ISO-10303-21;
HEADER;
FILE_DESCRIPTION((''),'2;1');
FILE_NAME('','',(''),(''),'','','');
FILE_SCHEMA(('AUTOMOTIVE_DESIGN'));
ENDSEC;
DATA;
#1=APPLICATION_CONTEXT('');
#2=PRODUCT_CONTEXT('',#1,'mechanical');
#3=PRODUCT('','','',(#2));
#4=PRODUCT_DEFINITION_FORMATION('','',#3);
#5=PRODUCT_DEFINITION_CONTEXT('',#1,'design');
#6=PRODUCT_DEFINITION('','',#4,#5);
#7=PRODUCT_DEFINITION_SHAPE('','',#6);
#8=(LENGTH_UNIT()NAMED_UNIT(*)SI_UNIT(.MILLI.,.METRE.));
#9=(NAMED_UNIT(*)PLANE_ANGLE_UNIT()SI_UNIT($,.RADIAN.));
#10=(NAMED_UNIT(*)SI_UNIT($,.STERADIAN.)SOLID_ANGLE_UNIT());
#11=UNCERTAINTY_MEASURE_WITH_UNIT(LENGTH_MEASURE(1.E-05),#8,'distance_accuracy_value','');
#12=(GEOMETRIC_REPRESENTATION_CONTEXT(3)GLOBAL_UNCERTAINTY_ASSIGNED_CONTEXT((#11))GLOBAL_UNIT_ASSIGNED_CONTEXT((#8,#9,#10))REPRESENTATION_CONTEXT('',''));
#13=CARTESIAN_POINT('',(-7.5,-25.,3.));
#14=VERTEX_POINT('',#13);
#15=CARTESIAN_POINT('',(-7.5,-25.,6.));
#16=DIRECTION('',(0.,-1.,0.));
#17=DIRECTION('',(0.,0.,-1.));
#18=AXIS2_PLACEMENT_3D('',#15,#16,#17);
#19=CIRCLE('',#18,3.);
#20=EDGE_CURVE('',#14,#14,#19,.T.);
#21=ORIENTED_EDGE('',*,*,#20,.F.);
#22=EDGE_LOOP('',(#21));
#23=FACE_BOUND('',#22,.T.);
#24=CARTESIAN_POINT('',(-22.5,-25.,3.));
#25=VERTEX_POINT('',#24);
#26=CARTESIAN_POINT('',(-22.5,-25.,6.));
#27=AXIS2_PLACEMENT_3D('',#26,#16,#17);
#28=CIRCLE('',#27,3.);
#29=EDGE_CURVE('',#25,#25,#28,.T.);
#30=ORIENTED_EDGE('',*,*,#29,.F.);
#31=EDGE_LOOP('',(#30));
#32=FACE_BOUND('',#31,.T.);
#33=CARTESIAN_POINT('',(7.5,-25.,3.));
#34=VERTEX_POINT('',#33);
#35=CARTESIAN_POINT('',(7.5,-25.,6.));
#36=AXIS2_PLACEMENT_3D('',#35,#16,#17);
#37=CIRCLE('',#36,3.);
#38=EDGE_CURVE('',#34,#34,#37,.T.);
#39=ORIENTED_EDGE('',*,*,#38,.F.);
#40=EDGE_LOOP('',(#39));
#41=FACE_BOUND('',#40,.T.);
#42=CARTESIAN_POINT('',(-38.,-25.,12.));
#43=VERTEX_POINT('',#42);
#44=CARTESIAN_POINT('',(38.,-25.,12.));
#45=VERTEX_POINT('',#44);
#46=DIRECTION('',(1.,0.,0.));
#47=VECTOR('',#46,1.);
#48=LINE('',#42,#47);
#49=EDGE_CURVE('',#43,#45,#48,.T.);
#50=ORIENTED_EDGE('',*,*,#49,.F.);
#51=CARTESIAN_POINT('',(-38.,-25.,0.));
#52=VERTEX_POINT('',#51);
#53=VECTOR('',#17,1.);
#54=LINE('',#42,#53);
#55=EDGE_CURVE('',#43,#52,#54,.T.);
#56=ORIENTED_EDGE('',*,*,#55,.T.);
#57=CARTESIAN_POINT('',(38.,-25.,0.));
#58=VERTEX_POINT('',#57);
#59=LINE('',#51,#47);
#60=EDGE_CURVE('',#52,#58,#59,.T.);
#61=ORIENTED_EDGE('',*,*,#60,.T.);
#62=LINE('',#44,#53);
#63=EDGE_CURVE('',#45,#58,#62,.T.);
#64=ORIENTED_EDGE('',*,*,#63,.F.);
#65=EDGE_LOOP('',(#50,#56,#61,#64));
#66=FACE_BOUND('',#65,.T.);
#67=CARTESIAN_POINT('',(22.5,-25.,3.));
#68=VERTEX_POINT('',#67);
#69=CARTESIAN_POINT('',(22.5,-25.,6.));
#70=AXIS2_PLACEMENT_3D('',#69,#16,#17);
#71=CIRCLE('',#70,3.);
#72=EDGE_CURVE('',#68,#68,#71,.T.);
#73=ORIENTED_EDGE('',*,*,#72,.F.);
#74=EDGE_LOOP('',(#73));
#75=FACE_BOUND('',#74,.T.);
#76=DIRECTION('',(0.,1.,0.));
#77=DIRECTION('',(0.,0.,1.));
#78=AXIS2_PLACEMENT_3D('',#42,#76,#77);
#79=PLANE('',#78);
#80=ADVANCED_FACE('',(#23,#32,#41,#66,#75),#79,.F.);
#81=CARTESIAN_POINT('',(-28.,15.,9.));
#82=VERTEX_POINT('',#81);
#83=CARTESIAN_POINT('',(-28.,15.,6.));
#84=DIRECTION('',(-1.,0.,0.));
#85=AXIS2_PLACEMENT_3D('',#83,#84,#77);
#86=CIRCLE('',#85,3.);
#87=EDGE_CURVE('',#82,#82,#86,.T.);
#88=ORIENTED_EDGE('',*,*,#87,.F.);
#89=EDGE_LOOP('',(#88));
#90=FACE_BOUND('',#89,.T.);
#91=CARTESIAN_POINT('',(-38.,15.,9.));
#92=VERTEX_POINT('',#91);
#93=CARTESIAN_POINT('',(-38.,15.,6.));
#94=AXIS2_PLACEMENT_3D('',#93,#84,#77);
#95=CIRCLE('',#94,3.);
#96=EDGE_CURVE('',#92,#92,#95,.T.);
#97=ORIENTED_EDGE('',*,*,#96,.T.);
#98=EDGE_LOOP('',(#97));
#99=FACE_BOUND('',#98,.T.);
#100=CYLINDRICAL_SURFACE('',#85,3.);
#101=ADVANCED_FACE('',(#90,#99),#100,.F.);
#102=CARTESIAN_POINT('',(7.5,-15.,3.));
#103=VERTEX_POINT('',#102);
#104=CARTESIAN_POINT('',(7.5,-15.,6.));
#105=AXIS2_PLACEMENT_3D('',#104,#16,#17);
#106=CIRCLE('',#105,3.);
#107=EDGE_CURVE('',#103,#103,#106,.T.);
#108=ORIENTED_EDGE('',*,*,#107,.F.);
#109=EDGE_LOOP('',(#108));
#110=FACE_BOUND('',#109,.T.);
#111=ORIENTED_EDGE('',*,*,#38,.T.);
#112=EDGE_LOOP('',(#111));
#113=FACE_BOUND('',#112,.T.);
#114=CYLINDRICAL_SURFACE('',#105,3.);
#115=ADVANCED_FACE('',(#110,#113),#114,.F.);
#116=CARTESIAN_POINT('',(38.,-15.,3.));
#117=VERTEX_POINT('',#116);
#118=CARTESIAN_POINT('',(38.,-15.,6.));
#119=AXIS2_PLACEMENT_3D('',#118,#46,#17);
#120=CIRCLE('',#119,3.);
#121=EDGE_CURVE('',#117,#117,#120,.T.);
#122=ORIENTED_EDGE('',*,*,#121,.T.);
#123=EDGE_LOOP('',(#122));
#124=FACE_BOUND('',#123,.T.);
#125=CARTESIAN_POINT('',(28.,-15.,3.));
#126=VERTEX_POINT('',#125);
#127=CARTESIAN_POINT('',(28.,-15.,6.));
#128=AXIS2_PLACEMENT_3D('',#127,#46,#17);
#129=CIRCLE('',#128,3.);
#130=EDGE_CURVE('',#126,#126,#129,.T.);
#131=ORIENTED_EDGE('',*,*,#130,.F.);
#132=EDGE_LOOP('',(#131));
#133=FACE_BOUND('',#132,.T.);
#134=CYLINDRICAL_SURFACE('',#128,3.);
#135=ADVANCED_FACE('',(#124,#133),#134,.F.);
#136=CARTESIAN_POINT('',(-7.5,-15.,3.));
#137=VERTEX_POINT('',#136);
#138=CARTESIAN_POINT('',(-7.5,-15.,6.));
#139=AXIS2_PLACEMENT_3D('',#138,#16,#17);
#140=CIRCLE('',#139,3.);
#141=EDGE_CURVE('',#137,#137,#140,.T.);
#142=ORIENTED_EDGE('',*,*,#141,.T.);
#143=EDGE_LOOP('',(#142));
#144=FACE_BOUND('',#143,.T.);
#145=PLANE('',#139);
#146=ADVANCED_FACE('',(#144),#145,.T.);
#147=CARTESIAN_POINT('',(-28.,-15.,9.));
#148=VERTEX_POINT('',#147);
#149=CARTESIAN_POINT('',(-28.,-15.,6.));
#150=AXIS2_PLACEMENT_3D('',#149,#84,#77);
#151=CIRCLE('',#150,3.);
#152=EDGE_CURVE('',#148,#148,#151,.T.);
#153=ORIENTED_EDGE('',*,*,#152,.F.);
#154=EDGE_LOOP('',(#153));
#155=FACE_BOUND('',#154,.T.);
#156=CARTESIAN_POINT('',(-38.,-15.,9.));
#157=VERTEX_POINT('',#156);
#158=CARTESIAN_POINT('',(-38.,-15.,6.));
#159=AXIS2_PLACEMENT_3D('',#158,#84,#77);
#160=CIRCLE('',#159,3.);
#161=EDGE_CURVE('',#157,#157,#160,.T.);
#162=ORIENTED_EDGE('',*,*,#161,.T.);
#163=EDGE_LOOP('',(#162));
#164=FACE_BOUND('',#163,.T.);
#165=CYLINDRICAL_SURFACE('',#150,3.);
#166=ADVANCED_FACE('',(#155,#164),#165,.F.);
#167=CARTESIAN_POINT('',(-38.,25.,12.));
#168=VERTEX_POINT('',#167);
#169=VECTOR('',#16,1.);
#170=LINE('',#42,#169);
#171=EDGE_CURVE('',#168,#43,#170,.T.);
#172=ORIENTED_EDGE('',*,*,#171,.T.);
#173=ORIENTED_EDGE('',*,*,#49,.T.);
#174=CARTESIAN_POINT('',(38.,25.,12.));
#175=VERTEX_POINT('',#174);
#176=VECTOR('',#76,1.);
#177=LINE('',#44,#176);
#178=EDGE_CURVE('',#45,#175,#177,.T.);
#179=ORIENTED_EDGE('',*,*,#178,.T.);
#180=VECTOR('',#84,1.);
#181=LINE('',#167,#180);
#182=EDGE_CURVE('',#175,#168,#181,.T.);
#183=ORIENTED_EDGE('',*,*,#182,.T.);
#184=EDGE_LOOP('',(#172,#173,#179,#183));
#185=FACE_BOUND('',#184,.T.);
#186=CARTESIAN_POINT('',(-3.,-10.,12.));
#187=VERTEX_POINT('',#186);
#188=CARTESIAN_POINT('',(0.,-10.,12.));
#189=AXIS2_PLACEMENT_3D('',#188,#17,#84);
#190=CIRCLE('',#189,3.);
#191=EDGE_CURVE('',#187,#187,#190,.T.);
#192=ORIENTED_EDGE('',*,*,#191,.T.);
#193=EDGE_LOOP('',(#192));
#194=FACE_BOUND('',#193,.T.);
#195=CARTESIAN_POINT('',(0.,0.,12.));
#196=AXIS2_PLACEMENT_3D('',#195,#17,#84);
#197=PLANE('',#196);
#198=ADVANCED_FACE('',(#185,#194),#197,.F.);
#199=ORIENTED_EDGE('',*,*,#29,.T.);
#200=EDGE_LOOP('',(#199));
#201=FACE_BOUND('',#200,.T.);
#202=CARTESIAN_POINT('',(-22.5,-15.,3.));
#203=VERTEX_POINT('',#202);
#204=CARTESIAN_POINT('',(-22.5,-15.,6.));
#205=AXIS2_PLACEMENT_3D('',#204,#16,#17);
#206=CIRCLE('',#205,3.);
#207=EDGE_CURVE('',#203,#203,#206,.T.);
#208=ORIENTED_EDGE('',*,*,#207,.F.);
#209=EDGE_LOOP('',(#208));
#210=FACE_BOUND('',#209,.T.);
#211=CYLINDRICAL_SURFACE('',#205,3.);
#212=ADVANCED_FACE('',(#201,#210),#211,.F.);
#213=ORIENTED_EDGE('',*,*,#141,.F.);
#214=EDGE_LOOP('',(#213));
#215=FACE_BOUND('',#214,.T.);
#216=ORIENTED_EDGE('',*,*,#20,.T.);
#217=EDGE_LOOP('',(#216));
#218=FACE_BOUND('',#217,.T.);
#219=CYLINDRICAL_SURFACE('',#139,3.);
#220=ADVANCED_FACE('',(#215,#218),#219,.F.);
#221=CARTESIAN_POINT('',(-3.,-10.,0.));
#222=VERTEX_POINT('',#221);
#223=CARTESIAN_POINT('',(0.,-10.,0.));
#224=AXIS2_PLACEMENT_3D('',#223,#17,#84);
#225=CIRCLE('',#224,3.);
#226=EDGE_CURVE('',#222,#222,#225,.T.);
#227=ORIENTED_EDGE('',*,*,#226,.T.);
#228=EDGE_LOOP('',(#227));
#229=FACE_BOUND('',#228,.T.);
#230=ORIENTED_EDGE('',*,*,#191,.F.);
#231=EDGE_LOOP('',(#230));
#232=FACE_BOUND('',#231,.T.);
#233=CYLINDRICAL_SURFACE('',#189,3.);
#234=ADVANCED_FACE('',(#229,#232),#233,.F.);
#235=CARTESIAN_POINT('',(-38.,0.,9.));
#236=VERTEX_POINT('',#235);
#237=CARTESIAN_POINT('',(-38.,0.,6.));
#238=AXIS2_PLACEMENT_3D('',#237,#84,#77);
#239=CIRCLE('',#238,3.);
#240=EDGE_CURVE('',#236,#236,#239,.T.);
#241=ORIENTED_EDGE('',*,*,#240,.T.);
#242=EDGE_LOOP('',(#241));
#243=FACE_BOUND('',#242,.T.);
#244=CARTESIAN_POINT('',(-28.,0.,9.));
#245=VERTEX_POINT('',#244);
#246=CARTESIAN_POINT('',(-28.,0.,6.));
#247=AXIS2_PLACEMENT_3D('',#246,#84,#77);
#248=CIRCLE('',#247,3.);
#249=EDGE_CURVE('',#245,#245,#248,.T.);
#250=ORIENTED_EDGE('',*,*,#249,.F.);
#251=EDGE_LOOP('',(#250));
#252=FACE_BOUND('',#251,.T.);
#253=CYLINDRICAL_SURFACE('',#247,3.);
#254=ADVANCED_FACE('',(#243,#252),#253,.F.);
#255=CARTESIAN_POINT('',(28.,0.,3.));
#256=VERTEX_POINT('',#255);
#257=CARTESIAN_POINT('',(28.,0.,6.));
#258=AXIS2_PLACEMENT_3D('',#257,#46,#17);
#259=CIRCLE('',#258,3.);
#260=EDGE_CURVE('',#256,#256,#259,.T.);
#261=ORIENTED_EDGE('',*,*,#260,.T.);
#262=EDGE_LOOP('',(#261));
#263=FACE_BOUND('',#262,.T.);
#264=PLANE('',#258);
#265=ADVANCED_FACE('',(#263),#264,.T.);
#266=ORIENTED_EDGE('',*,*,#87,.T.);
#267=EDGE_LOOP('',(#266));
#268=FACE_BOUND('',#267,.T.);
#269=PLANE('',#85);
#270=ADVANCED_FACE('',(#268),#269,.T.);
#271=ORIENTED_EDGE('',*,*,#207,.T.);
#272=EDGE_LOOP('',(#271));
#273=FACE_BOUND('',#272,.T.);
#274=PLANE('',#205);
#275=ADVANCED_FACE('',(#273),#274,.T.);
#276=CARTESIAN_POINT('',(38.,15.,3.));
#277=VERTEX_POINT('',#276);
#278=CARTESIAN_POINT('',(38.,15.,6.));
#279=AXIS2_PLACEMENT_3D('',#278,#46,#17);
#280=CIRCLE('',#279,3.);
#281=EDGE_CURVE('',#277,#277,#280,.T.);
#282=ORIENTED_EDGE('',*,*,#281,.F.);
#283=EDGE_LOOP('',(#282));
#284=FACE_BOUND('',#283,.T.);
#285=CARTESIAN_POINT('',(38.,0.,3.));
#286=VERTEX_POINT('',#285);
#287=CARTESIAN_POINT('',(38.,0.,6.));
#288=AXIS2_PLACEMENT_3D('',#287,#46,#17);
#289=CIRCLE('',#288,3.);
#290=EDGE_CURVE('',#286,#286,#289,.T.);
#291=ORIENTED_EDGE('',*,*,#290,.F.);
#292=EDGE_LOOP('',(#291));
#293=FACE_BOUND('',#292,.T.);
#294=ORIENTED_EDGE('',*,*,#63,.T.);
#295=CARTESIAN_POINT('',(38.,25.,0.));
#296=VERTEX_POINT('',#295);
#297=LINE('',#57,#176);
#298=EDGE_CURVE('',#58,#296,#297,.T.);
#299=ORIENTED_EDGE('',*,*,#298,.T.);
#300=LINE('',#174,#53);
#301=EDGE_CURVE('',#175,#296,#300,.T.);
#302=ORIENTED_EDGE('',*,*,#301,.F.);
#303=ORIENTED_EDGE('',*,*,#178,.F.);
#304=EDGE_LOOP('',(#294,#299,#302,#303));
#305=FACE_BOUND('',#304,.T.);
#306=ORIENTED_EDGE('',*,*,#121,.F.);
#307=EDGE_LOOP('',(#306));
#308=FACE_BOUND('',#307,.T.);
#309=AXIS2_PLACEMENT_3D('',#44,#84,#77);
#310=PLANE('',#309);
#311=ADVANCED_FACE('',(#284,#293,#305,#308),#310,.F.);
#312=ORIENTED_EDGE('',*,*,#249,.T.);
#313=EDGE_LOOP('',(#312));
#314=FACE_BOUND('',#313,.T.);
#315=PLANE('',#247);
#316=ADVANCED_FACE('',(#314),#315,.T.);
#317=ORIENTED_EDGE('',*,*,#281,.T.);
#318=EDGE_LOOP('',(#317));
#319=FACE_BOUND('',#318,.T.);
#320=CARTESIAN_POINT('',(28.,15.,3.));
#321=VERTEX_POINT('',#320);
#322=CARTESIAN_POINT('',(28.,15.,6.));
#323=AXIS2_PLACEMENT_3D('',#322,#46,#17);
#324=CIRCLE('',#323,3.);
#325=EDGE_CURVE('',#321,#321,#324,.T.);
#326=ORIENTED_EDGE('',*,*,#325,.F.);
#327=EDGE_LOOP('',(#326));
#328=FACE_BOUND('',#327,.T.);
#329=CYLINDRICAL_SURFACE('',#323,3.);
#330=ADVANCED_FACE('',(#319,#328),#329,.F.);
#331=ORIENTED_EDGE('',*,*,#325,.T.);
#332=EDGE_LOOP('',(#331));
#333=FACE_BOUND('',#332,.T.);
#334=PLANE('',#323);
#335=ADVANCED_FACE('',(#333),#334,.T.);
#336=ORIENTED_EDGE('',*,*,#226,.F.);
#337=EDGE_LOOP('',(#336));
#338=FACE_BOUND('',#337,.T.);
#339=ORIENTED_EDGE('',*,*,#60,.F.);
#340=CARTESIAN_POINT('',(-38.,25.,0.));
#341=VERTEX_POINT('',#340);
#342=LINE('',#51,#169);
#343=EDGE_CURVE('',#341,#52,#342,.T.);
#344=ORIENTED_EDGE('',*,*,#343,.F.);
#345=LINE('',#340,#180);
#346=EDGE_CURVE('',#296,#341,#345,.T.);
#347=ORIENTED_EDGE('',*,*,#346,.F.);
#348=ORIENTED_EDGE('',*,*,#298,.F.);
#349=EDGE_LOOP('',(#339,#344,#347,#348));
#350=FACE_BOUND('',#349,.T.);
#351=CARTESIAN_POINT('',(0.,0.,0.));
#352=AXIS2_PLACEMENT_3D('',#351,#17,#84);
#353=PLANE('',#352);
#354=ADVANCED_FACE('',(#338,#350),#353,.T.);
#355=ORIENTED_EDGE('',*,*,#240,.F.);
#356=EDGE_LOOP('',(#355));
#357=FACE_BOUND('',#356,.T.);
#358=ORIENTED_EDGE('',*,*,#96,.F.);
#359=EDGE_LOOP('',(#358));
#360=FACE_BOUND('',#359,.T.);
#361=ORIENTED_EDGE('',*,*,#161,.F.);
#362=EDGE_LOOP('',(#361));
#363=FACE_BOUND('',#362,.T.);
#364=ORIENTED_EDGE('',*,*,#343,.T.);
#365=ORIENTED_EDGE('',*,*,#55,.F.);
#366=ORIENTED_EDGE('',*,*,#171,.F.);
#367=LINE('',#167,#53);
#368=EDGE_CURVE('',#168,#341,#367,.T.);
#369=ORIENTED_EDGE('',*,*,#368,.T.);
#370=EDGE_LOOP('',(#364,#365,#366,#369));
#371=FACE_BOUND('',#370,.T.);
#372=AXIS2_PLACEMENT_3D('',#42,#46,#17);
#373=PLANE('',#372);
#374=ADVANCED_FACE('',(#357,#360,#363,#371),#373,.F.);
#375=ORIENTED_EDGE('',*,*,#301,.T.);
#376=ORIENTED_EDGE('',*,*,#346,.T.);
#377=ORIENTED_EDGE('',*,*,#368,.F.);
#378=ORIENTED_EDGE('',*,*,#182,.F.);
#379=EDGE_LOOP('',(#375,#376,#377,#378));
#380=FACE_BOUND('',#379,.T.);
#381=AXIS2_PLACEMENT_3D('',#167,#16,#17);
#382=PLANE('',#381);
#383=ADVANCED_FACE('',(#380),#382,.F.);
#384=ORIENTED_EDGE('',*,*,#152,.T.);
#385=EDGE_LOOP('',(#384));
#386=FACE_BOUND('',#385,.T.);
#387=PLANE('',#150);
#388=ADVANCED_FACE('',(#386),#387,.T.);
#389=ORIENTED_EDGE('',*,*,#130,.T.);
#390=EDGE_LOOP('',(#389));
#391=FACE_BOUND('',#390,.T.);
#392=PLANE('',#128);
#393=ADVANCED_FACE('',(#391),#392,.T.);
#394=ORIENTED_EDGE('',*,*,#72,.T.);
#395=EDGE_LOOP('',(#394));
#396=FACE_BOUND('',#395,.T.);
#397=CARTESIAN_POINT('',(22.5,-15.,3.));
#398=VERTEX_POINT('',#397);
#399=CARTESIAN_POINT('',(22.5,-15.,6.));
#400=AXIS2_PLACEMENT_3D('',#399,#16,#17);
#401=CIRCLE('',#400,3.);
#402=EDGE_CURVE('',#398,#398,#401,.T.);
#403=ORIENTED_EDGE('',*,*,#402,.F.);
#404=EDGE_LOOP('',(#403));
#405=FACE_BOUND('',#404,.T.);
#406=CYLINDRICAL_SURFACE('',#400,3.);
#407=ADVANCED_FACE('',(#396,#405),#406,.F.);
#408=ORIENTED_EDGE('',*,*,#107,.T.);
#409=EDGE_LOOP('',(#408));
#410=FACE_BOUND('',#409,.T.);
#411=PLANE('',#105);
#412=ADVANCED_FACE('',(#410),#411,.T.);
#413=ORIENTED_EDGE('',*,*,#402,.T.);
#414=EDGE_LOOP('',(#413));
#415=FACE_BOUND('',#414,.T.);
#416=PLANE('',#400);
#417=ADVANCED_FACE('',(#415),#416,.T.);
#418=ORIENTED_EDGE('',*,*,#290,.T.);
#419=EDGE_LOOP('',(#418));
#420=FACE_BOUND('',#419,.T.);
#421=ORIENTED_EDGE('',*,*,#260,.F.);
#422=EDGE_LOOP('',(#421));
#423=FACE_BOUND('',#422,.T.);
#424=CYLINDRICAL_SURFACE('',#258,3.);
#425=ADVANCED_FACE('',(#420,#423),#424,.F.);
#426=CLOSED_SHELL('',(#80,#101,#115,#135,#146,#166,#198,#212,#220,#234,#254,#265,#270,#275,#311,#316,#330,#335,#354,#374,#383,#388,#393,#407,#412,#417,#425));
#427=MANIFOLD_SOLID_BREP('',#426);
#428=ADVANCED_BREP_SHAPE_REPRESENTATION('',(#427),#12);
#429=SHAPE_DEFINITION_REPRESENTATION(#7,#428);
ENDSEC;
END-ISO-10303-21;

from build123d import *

# Parameters (mm, degrees)
SKETCH_1_W          = 76
SKETCH_1_H          = 50
EXTRUDE_1_DEPTH     = 12
SKETCH_2_R          = 3
CUT_EXTRUDE_1_DEPTH = 10
CUT_EXTRUDE_START   = -10
SKETCH_3_R          = 3
CUT_EXTRUDE_2_DEPTH = 10
SKETCH_4_R          = 3
CUT_EXTRUDE_3_DEPTH = 10
SKETCH_5_R          = 3
CUT_EXTRUDE_4_DEPTH = 12


with BuildPart() as part:
    # 草图1 → 凸台-拉伸1 (new body)
    with BuildSketch(Plane.XY):
        Rectangle(SKETCH_1_W, SKETCH_1_H)
    extrude(amount=EXTRUDE_1_DEPTH)

    # 草图2 → 切除-拉伸1 (cut)
    with BuildSketch(Plane.ZY.offset(38)):
        with Locations((6, -15)):
            Circle(SKETCH_2_R)
        with Locations((6, 0)):
            Circle(SKETCH_2_R)
        with Locations((6, 15)):
            Circle(SKETCH_2_R)
    extrude(amount=-CUT_EXTRUDE_1_DEPTH, mode=Mode.SUBTRACT)

    # 草图3 → 切除-拉伸2 (cut)
    with BuildSketch(Plane(origin=(38, 0, 0), x_dir=(0, 0, -1), z_dir=(1, 0, 0)).offset(CUT_EXTRUDE_START)):
        with Locations(Location((-6, -15, 0), (0, 0, 180))):
            Circle(SKETCH_3_R)
        with Locations(Location((-6, 0, 0), (0, 0, 180))):
            Circle(SKETCH_3_R)
        with Locations(Location((-6, 15, 0), (0, 0, 180))):
            Circle(SKETCH_3_R)
    extrude(amount=CUT_EXTRUDE_2_DEPTH, mode=Mode.SUBTRACT)

    # 草图4 → 切除-拉伸3 (cut)
    with BuildSketch(Plane.XZ.offset(25)):
        with Locations(Location((22.5, 6, 0), (0, 0, 270))):
            Circle(SKETCH_4_R)
        with Locations(Location((7.5, 6, 0), (0, 0, 270))):
            Circle(SKETCH_4_R)
        with Locations(Location((-7.5, 6, 0), (0, 0, 270))):
            Circle(SKETCH_4_R)
        with Locations(Location((-22.5, 6, 0), (0, 0, 270))):
            Circle(SKETCH_4_R)
    extrude(amount=-CUT_EXTRUDE_3_DEPTH, mode=Mode.SUBTRACT)

    # 草图5 → 切除-拉伸4 (cut)
    with BuildSketch(Plane(origin=(0, 0, 0), x_dir=(-1, 0, 0), z_dir=(0, 0, -1))):
        with Locations((0, -10)):
            Circle(SKETCH_5_R)
    extrude(amount=-CUT_EXTRUDE_4_DEPTH, mode=Mode.SUBTRACT)


solid = part.part
